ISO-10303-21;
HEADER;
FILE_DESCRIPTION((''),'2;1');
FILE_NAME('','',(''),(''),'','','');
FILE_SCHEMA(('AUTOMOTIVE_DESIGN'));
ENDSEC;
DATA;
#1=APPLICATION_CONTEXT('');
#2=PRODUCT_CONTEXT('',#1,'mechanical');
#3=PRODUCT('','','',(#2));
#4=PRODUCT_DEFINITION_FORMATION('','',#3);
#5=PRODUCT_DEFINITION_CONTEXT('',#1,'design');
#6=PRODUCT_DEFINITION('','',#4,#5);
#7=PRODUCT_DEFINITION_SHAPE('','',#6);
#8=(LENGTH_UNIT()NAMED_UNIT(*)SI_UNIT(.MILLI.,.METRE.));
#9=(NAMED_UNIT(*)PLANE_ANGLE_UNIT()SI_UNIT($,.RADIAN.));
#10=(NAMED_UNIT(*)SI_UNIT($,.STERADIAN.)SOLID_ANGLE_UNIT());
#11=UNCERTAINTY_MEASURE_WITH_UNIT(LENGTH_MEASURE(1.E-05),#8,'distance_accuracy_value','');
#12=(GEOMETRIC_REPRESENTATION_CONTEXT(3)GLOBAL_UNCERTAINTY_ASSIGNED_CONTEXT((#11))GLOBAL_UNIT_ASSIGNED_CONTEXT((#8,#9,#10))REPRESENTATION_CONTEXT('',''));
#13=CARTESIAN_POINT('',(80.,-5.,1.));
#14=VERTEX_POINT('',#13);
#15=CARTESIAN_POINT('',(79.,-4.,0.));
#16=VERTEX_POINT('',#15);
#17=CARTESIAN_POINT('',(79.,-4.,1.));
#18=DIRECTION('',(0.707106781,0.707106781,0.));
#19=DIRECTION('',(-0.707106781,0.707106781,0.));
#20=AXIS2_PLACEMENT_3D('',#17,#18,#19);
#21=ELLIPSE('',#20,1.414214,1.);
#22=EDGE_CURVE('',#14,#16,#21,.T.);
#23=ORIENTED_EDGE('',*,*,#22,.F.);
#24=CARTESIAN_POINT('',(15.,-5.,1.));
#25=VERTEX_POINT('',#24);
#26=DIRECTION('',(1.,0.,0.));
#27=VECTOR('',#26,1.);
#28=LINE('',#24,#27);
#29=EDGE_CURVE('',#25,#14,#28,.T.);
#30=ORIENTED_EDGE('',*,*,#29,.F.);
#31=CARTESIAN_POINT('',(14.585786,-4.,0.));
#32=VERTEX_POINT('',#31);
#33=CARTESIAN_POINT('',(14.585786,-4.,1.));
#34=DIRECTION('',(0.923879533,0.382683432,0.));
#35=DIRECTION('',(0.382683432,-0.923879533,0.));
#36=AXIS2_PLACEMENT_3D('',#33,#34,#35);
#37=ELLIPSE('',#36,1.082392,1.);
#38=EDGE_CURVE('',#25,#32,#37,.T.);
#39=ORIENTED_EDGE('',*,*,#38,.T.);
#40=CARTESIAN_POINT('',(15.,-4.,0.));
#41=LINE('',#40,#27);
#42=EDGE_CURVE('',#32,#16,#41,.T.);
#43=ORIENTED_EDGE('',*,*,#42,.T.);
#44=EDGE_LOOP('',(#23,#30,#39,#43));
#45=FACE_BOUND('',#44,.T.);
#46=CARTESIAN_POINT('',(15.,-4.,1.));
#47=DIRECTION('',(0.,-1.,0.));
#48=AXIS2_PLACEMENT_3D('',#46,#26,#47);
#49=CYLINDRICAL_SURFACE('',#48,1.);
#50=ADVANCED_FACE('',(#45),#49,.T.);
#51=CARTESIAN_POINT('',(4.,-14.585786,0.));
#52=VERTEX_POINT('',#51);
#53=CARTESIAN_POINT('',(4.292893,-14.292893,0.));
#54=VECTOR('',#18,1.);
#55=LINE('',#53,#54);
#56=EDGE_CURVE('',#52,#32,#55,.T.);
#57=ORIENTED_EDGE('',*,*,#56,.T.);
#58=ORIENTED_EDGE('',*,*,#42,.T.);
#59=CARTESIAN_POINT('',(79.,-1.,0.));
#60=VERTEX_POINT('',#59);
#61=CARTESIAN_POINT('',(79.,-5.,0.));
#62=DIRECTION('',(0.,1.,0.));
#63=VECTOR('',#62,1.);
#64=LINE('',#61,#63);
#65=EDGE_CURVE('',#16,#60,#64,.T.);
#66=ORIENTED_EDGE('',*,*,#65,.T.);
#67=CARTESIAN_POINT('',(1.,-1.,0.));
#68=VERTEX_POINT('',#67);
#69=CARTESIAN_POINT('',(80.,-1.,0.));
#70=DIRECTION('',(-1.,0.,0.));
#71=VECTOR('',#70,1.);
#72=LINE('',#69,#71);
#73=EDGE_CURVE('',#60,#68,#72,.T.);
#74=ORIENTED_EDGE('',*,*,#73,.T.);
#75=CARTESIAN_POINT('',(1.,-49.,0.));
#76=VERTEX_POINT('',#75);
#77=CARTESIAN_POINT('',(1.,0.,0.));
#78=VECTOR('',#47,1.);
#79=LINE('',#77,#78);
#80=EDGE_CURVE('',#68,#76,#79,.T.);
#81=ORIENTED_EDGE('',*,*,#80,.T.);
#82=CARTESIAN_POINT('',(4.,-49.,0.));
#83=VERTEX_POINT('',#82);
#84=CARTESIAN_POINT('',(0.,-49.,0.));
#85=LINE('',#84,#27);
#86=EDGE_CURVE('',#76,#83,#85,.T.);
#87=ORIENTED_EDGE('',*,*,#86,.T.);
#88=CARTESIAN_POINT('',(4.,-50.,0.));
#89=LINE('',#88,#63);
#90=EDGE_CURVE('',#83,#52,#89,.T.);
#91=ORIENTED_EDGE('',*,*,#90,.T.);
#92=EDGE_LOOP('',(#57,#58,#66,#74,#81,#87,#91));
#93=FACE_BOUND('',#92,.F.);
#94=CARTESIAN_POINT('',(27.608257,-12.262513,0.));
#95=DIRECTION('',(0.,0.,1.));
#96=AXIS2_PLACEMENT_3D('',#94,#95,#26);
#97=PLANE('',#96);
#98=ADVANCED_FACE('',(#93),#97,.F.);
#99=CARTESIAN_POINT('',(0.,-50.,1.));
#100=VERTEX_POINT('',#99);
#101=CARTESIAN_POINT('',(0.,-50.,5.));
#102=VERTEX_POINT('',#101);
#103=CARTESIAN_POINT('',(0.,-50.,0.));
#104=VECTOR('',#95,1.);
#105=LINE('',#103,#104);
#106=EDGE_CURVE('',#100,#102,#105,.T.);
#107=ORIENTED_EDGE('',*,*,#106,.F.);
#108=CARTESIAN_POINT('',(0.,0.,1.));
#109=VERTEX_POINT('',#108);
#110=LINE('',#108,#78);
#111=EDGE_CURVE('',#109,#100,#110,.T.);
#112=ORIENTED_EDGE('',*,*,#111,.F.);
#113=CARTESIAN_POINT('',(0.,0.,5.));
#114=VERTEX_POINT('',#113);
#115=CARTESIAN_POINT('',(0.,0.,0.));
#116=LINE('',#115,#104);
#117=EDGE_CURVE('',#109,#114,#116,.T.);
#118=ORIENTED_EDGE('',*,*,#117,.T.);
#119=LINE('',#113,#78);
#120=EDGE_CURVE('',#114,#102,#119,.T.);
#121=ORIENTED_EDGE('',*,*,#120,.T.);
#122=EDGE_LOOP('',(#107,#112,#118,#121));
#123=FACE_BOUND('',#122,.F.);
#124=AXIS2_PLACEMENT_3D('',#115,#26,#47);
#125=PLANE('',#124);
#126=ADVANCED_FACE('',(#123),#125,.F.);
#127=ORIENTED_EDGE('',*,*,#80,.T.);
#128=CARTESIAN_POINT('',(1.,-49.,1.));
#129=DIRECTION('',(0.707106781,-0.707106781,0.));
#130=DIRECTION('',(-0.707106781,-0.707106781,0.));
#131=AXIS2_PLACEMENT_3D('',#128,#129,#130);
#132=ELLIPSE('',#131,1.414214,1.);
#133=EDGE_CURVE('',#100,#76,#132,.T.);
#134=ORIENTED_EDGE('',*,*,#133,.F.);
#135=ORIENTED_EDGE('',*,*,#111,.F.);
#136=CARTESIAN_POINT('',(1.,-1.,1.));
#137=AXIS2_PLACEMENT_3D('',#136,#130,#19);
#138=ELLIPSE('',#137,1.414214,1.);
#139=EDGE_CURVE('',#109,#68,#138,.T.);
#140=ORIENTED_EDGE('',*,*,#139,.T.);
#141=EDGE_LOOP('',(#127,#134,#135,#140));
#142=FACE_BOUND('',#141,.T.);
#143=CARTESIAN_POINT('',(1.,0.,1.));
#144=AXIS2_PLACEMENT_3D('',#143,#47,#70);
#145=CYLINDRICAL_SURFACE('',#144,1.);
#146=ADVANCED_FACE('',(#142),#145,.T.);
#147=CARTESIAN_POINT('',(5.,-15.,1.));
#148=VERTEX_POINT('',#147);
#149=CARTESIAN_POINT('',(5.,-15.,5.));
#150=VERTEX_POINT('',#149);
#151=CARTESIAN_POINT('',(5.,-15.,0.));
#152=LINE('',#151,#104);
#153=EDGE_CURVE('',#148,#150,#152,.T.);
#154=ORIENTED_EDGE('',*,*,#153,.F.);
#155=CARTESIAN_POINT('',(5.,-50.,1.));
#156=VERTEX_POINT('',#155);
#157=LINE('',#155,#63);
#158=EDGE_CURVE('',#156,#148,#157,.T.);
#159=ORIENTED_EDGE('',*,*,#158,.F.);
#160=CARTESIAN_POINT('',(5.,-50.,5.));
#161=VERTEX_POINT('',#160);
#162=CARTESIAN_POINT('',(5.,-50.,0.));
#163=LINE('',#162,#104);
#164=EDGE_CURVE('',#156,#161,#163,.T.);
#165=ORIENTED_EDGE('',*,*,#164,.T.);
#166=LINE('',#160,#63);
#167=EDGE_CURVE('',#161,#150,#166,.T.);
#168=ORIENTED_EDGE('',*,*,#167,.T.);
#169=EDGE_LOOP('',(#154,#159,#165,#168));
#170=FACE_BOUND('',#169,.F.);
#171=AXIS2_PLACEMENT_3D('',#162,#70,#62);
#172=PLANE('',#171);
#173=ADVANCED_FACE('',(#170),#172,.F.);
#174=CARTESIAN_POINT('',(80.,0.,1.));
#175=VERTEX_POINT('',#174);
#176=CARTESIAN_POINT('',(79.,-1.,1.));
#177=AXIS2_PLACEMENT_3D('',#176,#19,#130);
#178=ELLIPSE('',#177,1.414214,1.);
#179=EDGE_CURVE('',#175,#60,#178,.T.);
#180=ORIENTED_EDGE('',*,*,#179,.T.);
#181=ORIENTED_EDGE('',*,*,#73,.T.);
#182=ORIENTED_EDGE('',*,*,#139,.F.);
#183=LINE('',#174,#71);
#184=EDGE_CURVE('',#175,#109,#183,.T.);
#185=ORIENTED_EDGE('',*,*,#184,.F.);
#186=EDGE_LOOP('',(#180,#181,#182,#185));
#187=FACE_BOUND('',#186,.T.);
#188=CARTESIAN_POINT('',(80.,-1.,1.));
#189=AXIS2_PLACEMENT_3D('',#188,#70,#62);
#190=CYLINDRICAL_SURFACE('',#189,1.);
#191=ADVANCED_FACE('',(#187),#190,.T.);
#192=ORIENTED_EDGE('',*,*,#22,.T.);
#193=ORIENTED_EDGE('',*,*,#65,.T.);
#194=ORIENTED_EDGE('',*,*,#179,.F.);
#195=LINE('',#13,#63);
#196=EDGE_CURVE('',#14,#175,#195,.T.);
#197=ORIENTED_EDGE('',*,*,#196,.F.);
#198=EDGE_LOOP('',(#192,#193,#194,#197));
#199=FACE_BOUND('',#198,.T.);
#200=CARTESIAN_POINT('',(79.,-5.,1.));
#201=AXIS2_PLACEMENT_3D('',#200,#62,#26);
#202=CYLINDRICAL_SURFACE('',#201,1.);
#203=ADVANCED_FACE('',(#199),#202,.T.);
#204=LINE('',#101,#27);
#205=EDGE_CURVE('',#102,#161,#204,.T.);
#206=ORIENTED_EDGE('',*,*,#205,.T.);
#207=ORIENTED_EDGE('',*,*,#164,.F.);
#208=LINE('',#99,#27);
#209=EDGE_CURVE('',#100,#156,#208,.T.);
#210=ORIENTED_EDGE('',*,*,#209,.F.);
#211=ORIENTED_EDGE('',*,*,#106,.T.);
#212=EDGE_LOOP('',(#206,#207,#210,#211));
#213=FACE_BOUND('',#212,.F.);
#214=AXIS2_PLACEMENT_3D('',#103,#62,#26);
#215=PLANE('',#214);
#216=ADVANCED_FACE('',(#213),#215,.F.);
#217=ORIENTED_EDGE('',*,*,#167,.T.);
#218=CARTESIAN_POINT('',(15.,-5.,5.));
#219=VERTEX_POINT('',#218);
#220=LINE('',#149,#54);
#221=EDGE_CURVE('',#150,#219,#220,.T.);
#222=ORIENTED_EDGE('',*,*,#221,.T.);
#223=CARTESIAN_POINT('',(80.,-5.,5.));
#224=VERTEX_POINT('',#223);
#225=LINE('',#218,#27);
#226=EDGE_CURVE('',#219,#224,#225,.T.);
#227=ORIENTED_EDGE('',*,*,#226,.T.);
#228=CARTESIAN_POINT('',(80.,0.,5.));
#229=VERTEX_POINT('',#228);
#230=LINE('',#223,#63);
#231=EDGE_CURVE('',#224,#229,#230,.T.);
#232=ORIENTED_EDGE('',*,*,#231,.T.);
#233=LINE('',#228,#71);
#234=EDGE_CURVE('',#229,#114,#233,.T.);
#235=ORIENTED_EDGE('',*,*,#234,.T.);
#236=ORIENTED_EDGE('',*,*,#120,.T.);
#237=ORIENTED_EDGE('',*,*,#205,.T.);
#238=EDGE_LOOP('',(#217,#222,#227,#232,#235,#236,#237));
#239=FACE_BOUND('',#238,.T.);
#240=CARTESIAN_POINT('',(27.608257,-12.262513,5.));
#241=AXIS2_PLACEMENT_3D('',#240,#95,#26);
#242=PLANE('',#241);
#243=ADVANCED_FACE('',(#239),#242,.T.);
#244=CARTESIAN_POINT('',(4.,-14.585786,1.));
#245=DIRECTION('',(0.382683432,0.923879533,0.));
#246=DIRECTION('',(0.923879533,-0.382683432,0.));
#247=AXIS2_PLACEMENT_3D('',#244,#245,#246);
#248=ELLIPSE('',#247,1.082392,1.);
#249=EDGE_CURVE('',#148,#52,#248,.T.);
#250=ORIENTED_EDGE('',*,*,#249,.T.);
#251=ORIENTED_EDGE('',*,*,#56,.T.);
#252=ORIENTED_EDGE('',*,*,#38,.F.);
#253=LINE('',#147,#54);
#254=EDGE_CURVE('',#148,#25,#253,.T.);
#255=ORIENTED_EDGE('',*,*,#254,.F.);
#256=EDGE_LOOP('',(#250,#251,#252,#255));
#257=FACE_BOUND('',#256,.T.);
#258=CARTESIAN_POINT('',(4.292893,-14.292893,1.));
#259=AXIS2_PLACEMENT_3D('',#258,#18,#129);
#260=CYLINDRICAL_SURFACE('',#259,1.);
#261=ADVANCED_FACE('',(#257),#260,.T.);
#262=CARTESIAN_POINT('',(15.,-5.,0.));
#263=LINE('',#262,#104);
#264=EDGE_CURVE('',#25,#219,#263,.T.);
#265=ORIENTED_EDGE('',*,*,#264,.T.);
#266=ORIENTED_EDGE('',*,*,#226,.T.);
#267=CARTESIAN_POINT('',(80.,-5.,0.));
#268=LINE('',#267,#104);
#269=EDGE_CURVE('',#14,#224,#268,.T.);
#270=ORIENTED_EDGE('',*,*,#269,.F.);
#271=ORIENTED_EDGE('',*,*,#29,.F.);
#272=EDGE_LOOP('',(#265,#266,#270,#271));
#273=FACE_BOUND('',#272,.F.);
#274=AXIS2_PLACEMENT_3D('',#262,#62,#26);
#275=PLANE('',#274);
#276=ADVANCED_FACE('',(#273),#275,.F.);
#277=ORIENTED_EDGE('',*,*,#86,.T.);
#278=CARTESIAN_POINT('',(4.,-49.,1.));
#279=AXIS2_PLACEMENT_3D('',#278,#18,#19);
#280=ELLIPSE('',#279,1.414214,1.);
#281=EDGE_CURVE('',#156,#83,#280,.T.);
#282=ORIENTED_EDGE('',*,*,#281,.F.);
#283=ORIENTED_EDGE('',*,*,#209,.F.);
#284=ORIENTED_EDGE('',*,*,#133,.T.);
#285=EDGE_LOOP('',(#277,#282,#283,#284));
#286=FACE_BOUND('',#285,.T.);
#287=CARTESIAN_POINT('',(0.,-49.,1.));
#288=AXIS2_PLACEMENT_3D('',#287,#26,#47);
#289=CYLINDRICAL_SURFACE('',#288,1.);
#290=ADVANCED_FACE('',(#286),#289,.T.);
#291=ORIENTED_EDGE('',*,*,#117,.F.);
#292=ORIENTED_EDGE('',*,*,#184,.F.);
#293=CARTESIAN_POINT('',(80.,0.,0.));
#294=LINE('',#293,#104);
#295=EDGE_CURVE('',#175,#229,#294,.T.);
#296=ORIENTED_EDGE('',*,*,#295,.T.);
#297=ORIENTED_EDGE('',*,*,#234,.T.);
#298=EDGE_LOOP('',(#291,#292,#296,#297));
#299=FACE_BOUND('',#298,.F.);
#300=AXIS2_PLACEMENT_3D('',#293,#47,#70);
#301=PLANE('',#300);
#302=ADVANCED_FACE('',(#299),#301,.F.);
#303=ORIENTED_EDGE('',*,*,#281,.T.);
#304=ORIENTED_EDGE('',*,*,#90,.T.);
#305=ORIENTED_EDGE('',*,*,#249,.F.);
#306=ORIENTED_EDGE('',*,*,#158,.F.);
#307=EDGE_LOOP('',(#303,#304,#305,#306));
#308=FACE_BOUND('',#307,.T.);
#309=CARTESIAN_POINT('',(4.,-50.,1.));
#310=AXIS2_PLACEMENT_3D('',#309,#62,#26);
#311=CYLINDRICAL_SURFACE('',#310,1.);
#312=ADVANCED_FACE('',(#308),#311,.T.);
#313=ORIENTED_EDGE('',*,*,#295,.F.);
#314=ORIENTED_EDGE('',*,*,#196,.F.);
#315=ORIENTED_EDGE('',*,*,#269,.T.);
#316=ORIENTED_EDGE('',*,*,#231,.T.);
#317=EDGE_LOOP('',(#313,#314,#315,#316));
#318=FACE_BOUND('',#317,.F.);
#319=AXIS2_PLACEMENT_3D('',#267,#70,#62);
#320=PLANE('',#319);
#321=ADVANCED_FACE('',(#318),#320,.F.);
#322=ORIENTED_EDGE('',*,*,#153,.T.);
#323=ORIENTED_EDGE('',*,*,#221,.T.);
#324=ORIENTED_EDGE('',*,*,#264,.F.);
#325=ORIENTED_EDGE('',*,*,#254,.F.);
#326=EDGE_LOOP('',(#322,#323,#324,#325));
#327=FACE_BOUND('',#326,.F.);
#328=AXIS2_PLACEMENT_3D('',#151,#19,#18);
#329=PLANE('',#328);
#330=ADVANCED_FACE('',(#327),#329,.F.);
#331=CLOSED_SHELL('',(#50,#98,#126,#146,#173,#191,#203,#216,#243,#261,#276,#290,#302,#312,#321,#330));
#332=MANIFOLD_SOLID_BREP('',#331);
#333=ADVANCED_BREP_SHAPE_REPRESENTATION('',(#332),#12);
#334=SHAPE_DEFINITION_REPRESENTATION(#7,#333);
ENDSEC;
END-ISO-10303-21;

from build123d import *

# Parameters (mm, degrees)
F1_DEPTH = 5
F2_R     = 1


with BuildPart() as f1:
    # F0 (on Top) → F1 (new body)
    with BuildSketch(Plane.XY):
        Polygon((80, 0), (0, 0), (0, -50), (5, -50), (5, -15), (15, -5), (80, -5), align=None)
    extrude(amount=F1_DEPTH)

    # F2
    f2_edges = [f1.edges().sort_by_distance(p)[0] for p in [
        (40, 0, 0),
        (0, -25, 0),
        (80, -2.5, 0),
        (47.5, -5, 0),
        (10, -10, 0),
        (5, -32.5, 0),
        (2.5, -50, 0),
    ]]
    fillet(f2_edges, radius=F2_R)


solid = f1.part
